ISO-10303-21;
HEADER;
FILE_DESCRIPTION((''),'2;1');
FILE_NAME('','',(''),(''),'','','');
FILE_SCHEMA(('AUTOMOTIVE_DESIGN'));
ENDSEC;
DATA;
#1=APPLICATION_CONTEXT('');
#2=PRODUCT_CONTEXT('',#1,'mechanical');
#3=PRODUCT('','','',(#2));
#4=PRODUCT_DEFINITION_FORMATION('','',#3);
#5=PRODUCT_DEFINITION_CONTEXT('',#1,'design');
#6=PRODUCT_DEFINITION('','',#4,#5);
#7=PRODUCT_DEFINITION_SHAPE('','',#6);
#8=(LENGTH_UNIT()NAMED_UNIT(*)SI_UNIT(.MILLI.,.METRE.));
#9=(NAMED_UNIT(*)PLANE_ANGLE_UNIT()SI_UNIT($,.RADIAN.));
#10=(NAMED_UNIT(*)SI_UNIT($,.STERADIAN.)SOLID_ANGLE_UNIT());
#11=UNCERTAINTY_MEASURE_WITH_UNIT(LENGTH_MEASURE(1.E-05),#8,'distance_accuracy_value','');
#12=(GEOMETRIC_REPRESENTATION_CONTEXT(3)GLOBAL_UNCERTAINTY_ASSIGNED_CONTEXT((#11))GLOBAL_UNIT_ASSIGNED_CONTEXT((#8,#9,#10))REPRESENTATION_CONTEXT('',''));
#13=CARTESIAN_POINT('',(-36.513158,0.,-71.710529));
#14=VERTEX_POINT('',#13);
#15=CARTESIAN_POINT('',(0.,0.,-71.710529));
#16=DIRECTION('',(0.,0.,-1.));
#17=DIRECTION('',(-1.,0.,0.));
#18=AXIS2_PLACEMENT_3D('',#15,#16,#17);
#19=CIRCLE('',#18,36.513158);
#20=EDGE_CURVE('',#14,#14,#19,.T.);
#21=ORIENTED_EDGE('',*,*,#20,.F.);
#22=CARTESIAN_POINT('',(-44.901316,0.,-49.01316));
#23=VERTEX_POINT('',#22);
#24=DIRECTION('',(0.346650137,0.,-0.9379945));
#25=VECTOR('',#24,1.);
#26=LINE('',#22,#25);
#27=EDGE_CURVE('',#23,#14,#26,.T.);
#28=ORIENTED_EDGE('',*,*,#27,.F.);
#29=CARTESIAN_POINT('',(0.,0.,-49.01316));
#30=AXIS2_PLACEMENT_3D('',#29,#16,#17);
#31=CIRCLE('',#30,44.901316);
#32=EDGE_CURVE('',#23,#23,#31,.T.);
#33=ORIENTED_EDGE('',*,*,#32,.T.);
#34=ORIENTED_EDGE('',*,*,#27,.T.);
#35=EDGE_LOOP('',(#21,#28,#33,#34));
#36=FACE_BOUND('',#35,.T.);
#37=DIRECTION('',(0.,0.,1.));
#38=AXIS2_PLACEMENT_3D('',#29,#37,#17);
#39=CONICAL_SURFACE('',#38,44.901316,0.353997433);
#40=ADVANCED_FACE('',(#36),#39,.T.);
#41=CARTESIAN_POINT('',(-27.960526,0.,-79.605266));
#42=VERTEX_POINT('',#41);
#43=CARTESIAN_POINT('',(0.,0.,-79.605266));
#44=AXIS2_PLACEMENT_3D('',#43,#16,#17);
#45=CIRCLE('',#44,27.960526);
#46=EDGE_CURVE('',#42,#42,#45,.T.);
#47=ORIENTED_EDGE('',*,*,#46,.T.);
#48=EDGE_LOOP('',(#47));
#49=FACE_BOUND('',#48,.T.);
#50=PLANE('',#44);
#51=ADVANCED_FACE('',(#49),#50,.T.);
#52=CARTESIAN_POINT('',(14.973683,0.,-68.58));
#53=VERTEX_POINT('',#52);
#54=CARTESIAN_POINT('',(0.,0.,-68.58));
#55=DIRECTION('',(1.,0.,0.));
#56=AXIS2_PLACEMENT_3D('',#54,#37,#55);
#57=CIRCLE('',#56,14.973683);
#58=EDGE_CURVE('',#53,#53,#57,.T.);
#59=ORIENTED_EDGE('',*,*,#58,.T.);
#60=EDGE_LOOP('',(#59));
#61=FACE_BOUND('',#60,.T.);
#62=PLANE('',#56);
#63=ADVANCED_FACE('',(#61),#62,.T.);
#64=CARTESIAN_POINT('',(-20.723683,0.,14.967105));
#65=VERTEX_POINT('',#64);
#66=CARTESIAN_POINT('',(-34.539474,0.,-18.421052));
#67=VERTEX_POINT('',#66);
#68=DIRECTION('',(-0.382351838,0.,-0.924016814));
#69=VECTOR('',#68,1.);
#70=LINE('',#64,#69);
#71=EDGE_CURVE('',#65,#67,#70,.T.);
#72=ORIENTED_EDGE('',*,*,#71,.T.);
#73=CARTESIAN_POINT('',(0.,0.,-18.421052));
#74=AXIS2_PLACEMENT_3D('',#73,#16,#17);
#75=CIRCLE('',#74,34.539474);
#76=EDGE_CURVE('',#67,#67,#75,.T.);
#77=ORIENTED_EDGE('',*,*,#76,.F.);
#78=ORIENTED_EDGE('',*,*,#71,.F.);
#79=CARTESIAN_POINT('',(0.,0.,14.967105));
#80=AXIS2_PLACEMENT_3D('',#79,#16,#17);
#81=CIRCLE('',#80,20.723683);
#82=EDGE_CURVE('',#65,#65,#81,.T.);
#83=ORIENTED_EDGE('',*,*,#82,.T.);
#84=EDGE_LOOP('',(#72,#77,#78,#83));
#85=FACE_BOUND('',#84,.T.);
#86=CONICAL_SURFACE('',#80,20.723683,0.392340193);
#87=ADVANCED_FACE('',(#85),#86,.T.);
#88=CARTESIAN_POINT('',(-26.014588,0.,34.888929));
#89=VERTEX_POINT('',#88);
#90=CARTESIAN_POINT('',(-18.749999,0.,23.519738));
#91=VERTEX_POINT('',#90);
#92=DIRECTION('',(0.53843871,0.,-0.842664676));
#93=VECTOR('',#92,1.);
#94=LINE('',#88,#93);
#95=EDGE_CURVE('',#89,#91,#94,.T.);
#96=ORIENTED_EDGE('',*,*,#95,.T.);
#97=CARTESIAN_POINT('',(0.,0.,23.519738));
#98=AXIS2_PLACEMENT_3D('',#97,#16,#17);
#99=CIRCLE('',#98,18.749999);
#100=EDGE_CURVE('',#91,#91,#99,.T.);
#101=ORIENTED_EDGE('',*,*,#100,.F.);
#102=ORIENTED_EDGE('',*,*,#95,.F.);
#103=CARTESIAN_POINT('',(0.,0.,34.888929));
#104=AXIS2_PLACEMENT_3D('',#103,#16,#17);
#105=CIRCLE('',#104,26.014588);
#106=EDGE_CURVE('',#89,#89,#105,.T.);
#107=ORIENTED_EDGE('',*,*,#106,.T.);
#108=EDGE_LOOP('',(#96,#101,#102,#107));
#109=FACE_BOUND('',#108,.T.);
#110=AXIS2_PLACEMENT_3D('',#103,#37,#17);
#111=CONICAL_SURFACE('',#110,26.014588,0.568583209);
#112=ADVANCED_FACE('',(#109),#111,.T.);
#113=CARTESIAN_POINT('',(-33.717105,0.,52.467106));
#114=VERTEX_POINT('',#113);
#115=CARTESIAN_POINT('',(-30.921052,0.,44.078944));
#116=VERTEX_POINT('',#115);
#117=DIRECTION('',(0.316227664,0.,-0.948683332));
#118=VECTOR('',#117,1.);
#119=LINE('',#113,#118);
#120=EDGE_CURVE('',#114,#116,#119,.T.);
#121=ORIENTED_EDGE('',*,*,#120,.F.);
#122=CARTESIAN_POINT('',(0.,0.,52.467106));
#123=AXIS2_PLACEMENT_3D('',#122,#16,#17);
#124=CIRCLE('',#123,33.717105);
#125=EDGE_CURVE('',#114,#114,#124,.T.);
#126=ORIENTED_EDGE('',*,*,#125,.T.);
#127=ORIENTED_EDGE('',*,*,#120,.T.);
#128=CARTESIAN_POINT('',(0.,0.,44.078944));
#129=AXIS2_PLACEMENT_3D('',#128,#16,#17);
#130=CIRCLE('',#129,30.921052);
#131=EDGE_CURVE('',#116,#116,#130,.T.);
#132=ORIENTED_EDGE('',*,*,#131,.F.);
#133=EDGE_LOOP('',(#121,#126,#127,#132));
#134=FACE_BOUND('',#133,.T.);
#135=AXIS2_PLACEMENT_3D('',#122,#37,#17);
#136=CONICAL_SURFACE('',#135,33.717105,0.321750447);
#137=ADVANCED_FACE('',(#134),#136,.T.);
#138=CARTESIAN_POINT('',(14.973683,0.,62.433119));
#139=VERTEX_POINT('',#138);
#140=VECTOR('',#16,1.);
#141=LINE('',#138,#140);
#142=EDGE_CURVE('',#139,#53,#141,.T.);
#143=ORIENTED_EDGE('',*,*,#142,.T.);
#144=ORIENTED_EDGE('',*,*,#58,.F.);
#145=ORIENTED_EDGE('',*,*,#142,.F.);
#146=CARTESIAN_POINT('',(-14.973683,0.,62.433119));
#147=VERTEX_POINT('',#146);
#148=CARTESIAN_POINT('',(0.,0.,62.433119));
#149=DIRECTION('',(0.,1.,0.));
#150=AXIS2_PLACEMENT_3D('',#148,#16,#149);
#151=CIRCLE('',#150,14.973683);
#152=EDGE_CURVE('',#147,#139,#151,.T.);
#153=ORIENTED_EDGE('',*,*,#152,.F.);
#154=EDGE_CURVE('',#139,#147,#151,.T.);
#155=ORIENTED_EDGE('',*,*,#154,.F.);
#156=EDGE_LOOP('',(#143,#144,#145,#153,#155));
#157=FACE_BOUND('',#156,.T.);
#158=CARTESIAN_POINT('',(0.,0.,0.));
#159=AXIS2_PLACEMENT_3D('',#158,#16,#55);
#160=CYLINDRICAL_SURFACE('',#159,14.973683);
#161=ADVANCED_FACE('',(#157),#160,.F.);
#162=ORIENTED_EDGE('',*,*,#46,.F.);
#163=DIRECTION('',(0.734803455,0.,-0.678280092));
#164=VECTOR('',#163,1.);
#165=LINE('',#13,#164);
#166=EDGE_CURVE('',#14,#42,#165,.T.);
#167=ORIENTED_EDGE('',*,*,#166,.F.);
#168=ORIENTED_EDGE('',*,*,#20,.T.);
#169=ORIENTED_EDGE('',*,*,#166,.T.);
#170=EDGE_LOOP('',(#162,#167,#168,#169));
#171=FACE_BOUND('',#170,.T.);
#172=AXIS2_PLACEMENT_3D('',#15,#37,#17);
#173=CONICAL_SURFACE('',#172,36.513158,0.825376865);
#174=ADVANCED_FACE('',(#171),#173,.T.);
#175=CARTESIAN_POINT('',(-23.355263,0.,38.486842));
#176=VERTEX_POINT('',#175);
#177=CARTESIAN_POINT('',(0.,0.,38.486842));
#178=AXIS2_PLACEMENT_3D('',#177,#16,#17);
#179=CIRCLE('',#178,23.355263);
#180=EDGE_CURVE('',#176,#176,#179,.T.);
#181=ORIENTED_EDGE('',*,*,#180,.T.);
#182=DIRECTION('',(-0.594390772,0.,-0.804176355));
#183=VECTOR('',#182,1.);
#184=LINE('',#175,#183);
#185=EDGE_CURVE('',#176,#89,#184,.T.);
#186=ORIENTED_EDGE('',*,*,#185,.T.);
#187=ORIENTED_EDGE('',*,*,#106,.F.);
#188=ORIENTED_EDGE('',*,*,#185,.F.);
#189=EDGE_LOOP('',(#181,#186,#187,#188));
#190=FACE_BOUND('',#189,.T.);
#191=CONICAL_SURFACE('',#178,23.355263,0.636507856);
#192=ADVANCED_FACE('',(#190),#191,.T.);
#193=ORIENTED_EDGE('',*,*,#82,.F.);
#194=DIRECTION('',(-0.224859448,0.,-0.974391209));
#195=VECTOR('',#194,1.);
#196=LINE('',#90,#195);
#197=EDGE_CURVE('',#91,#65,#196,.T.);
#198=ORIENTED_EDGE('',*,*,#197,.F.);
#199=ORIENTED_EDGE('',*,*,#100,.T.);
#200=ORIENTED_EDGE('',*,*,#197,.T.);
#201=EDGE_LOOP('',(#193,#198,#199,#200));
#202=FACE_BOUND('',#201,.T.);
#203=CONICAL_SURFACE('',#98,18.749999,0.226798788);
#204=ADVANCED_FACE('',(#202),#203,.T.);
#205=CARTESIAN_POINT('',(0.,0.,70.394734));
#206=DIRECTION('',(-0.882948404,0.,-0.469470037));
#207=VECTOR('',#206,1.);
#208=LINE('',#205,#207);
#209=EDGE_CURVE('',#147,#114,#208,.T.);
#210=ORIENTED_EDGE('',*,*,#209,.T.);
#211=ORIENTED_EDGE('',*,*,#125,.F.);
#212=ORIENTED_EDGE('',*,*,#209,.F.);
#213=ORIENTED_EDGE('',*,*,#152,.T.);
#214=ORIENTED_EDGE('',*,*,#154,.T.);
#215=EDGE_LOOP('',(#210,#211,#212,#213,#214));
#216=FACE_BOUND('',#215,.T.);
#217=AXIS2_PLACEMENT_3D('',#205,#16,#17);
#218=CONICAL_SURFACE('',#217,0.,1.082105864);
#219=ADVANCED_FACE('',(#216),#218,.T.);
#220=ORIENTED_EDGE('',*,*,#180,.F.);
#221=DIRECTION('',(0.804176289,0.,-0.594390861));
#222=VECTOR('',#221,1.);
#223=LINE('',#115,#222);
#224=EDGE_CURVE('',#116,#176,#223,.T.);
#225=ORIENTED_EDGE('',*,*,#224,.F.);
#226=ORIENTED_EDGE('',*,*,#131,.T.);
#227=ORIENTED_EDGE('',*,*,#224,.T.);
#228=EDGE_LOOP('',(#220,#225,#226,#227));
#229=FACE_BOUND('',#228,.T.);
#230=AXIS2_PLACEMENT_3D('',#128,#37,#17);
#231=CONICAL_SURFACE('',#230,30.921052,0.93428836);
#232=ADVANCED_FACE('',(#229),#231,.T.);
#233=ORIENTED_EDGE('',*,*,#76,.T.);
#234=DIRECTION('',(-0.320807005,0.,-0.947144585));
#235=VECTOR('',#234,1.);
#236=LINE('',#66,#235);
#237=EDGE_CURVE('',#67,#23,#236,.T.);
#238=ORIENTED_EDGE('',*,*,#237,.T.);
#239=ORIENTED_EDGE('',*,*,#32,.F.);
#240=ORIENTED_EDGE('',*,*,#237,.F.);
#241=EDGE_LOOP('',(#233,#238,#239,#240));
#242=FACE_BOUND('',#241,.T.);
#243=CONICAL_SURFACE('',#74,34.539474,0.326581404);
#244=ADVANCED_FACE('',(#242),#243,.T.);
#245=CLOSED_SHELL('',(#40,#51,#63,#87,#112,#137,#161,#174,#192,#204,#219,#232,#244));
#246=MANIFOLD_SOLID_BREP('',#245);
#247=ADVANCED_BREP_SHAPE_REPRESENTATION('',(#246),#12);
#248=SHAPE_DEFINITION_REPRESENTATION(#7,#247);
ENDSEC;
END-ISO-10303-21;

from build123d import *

# Parameters (mm, degrees)
F2_R     = 14.973683
F3_DEPTH = 88.392
F4_DEPTH = 68.58


with BuildPart() as f1:
    # F0 (on Front) → F1 (revolve)
    with BuildSketch(Plane.XZ):
        Polygon((0, -79.605266), (0, 70.394734), (-33.717105, 52.467106), (-30.921052, 44.078944), (-23.355263, 38.486842), (-26.014588, 34.888929), (-18.749999, 23.519738), (-20.723683, 14.967105), (-34.539474, -18.421052), (-44.901316, -49.01316), (-36.513158, -71.710529), (-27.960526, -79.605266), align=None)
    revolve(axis=Axis((0, 0, -4.605266), (0, 0, -1)))

    # F2 (on Top) → F3 (cut)
    with BuildSketch(Plane.XY):
        Circle(F2_R)
    extrude(amount=F3_DEPTH, mode=Mode.SUBTRACT)

    # F2 (on Top) → F4 (cut)
    with BuildSketch(Plane.XY):
        Circle(F2_R)
    extrude(amount=-F4_DEPTH, mode=Mode.SUBTRACT)


solid = f1.part
